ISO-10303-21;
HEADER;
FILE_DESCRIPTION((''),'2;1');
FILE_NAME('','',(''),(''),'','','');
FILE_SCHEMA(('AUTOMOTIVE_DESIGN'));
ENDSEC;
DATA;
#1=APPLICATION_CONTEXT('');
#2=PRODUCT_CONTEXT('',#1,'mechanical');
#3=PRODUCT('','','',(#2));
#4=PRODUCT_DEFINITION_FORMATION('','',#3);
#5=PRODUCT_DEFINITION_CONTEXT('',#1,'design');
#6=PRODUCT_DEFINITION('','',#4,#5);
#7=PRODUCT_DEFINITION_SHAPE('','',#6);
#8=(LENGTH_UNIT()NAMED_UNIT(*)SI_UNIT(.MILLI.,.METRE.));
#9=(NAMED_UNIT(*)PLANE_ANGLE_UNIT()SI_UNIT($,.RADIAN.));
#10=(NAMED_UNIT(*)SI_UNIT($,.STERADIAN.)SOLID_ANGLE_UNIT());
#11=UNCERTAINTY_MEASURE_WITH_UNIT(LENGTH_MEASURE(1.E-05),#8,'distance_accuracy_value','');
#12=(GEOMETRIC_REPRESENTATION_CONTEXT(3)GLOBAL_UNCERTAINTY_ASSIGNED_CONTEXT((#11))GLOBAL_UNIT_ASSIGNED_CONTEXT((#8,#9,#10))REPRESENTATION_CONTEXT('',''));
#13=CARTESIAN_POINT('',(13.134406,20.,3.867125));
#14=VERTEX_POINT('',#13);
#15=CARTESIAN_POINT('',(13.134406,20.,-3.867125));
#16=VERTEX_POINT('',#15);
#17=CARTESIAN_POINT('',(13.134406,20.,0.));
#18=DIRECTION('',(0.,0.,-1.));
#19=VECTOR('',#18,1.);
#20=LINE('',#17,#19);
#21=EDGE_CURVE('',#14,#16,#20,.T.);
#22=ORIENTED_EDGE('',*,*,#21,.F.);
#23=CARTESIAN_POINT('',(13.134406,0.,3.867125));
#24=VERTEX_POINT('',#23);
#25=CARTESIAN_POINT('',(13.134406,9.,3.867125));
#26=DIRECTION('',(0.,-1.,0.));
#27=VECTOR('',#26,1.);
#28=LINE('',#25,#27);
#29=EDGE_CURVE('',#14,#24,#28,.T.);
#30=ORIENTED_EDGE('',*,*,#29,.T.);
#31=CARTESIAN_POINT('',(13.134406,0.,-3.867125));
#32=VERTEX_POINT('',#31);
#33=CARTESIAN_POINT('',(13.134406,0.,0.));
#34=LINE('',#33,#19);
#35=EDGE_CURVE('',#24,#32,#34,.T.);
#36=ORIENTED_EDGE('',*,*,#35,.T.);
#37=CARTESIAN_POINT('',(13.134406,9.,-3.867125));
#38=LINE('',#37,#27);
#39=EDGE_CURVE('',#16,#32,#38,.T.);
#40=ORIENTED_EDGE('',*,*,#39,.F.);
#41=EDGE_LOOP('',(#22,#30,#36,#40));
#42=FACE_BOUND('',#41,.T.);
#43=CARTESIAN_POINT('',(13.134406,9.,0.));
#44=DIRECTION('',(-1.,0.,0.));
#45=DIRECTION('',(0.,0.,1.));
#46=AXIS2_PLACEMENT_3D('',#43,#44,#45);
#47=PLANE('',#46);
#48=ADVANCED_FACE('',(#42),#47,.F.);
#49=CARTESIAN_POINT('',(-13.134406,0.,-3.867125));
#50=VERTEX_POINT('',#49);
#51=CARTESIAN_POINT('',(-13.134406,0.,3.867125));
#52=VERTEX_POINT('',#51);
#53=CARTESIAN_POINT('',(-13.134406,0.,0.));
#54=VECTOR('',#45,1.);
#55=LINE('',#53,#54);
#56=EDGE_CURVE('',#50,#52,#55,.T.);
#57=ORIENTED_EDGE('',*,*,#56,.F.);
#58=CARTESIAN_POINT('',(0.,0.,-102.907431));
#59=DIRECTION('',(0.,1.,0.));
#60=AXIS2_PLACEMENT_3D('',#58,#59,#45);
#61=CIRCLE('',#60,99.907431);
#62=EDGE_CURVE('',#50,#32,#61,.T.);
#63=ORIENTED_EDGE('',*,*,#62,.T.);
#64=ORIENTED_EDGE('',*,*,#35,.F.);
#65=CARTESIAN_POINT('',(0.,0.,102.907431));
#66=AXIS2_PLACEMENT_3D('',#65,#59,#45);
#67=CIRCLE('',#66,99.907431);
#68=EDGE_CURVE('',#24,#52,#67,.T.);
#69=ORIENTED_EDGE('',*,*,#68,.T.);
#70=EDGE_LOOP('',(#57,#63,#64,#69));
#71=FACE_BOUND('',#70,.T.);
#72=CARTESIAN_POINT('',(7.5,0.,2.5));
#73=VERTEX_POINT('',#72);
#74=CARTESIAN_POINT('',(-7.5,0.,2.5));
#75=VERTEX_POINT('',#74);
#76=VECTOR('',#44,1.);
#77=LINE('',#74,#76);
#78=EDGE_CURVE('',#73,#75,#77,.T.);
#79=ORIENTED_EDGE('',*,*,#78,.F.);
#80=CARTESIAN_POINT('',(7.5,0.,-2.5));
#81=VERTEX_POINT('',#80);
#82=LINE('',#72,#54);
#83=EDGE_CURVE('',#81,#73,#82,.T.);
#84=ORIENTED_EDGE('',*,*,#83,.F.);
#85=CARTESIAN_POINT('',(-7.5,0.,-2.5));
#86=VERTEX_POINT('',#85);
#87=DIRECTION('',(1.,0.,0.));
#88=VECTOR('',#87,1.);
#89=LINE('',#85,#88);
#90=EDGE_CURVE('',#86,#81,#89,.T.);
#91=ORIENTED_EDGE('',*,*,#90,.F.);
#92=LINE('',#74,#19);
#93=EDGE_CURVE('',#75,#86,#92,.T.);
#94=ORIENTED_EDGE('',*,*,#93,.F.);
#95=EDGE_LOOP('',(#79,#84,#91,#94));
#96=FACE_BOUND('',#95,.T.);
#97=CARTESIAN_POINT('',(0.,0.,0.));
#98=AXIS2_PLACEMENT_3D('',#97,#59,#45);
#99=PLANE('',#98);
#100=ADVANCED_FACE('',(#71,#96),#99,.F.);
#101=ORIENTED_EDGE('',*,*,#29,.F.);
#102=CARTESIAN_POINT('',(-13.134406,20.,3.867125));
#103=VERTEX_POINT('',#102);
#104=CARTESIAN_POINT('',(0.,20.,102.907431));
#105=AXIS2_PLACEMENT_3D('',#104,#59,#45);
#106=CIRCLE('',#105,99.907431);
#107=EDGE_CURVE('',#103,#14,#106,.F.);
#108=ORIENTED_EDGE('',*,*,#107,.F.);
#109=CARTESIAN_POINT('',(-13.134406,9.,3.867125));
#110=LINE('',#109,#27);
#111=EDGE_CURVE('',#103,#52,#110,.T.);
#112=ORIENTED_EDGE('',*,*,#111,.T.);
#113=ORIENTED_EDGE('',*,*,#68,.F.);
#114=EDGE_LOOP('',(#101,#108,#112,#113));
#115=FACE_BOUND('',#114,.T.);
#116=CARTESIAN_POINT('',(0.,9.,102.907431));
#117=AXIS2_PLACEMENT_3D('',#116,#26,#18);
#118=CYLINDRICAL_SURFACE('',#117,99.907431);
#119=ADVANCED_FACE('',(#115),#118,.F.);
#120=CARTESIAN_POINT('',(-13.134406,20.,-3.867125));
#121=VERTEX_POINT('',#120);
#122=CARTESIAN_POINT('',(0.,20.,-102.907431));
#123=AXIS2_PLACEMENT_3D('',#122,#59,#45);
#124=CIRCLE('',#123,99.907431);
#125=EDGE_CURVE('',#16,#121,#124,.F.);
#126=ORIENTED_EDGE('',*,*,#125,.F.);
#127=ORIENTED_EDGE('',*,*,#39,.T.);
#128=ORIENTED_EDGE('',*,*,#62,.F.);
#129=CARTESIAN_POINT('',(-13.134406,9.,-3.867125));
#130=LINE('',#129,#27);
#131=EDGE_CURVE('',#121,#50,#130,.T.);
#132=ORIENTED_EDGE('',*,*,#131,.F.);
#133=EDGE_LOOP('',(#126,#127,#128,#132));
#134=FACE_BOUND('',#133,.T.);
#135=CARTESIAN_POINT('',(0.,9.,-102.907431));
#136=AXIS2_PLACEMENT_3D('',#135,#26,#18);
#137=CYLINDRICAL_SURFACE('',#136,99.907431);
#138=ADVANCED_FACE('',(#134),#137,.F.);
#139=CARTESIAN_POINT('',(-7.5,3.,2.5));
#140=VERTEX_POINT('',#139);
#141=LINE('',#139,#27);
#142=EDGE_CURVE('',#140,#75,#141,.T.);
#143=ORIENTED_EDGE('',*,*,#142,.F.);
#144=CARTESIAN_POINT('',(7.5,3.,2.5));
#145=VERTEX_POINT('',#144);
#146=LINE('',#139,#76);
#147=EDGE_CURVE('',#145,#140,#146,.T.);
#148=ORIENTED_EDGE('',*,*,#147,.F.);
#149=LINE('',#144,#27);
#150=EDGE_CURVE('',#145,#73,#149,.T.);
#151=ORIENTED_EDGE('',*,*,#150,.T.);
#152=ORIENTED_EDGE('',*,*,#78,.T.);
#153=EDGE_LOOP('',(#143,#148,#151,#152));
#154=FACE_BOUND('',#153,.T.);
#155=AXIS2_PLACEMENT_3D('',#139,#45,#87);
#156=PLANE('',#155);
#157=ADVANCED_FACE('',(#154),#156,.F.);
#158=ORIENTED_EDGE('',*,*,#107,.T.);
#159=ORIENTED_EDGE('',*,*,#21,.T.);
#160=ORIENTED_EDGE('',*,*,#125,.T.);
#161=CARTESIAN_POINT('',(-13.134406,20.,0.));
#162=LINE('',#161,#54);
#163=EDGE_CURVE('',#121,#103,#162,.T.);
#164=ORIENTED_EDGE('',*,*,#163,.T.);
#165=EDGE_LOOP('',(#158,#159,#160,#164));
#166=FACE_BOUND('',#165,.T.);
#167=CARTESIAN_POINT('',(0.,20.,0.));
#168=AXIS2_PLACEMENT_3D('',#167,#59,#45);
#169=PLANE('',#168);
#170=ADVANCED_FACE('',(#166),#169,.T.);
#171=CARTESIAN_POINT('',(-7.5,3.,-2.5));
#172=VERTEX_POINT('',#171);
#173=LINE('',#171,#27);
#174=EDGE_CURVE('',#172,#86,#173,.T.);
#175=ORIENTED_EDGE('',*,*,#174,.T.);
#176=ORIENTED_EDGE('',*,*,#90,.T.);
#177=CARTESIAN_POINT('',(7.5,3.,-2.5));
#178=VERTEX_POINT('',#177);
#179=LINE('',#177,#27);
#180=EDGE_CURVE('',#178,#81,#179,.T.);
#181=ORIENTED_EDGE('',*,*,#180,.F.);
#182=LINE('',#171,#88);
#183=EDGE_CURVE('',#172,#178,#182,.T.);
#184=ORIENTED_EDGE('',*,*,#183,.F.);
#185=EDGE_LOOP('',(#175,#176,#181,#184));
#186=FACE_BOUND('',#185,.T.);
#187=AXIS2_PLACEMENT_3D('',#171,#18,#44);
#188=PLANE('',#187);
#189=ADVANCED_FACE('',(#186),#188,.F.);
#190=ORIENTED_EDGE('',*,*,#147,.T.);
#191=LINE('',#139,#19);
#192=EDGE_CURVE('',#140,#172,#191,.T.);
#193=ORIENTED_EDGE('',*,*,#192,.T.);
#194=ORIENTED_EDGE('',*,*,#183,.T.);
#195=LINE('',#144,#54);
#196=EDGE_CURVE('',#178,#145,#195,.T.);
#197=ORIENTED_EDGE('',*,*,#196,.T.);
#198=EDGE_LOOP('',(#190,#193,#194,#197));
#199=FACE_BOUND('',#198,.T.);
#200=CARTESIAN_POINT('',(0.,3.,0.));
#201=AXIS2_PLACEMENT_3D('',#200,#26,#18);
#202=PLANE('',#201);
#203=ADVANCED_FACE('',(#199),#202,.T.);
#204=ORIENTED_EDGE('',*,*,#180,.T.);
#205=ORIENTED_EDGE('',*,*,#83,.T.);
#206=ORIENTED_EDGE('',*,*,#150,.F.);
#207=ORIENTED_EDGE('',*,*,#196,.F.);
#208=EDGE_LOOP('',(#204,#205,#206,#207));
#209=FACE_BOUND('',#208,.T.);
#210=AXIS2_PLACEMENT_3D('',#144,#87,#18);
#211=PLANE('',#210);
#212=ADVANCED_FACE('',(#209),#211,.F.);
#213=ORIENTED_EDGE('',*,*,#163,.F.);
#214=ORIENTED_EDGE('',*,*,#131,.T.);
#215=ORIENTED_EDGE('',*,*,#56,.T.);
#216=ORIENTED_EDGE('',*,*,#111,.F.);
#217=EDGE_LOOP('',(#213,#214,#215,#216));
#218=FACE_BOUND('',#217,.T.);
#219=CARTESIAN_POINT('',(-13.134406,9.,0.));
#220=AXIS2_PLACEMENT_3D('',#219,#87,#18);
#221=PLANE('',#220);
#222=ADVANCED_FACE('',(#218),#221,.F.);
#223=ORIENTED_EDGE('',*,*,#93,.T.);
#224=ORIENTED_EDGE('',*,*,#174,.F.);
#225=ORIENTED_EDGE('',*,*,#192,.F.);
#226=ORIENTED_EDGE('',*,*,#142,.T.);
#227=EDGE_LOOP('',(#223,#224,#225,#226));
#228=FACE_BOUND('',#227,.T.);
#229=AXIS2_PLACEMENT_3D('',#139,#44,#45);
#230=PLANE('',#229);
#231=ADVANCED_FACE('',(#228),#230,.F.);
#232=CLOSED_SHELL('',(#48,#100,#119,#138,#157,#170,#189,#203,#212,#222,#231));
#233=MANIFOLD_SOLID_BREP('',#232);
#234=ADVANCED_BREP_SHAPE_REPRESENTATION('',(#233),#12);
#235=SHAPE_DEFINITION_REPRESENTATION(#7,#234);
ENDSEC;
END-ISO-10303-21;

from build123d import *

# Parameters (mm, degrees)
BOSS_EXTRUDE1_DEPTH = 9
BOSS_EXTRUDE2_DEPTH = 11
SKETCH4_W           = 15
SKETCH4_H           = 5
CUT_EXTRUDE1_DEPTH  = 3


with BuildPart() as part:
    # Sketch2 → Boss-Extrude1 (new body)
    with BuildSketch(Plane(origin=(0, 0, 0), x_dir=(1, 0, 0), z_dir=(0, 1, 0))):
        with BuildLine():
            ThreePointArc((-13.134406493, 3.867125393), (0, 3), (13.134406493, 3.867125393))
            Line((13.134406493, 3.867125393), (13.134406493, -3.867125393))
            ThreePointArc((13.134406493, -3.867125393), (0, -3), (-13.134406493, -3.867125393))
            Line((-13.134406493, -3.867125393), (-13.134406493, 3.867125393))
        make_face()
    extrude(amount=BOSS_EXTRUDE1_DEPTH)

    # Sketch3 → Boss-Extrude2 (add)
    with BuildSketch(Plane(origin=(0, 9, 0), x_dir=(1, 0, 0), z_dir=(0, 1, 0))):
        with BuildLine():
            Line((13.134406493, -3.867125393), (13.134406493, 3.867125393))
            ThreePointArc((13.134406493, 3.867125393), (0, 3), (-13.134406493, 3.867125393))
            Line((-13.134406493, 3.867125393), (-13.134406493, -3.867125393))
            ThreePointArc((-13.134406493, -3.867125393), (0, -3), (13.134406493, -3.867125393))
        make_face()
    extrude(amount=BOSS_EXTRUDE2_DEPTH)

    # Sketch4 → Cut-Extrude1 (cut)
    with BuildSketch(Plane.XZ):
        Rectangle(SKETCH4_W, SKETCH4_H)
    extrude(amount=-CUT_EXTRUDE1_DEPTH, mode=Mode.SUBTRACT)


solid = part.part
